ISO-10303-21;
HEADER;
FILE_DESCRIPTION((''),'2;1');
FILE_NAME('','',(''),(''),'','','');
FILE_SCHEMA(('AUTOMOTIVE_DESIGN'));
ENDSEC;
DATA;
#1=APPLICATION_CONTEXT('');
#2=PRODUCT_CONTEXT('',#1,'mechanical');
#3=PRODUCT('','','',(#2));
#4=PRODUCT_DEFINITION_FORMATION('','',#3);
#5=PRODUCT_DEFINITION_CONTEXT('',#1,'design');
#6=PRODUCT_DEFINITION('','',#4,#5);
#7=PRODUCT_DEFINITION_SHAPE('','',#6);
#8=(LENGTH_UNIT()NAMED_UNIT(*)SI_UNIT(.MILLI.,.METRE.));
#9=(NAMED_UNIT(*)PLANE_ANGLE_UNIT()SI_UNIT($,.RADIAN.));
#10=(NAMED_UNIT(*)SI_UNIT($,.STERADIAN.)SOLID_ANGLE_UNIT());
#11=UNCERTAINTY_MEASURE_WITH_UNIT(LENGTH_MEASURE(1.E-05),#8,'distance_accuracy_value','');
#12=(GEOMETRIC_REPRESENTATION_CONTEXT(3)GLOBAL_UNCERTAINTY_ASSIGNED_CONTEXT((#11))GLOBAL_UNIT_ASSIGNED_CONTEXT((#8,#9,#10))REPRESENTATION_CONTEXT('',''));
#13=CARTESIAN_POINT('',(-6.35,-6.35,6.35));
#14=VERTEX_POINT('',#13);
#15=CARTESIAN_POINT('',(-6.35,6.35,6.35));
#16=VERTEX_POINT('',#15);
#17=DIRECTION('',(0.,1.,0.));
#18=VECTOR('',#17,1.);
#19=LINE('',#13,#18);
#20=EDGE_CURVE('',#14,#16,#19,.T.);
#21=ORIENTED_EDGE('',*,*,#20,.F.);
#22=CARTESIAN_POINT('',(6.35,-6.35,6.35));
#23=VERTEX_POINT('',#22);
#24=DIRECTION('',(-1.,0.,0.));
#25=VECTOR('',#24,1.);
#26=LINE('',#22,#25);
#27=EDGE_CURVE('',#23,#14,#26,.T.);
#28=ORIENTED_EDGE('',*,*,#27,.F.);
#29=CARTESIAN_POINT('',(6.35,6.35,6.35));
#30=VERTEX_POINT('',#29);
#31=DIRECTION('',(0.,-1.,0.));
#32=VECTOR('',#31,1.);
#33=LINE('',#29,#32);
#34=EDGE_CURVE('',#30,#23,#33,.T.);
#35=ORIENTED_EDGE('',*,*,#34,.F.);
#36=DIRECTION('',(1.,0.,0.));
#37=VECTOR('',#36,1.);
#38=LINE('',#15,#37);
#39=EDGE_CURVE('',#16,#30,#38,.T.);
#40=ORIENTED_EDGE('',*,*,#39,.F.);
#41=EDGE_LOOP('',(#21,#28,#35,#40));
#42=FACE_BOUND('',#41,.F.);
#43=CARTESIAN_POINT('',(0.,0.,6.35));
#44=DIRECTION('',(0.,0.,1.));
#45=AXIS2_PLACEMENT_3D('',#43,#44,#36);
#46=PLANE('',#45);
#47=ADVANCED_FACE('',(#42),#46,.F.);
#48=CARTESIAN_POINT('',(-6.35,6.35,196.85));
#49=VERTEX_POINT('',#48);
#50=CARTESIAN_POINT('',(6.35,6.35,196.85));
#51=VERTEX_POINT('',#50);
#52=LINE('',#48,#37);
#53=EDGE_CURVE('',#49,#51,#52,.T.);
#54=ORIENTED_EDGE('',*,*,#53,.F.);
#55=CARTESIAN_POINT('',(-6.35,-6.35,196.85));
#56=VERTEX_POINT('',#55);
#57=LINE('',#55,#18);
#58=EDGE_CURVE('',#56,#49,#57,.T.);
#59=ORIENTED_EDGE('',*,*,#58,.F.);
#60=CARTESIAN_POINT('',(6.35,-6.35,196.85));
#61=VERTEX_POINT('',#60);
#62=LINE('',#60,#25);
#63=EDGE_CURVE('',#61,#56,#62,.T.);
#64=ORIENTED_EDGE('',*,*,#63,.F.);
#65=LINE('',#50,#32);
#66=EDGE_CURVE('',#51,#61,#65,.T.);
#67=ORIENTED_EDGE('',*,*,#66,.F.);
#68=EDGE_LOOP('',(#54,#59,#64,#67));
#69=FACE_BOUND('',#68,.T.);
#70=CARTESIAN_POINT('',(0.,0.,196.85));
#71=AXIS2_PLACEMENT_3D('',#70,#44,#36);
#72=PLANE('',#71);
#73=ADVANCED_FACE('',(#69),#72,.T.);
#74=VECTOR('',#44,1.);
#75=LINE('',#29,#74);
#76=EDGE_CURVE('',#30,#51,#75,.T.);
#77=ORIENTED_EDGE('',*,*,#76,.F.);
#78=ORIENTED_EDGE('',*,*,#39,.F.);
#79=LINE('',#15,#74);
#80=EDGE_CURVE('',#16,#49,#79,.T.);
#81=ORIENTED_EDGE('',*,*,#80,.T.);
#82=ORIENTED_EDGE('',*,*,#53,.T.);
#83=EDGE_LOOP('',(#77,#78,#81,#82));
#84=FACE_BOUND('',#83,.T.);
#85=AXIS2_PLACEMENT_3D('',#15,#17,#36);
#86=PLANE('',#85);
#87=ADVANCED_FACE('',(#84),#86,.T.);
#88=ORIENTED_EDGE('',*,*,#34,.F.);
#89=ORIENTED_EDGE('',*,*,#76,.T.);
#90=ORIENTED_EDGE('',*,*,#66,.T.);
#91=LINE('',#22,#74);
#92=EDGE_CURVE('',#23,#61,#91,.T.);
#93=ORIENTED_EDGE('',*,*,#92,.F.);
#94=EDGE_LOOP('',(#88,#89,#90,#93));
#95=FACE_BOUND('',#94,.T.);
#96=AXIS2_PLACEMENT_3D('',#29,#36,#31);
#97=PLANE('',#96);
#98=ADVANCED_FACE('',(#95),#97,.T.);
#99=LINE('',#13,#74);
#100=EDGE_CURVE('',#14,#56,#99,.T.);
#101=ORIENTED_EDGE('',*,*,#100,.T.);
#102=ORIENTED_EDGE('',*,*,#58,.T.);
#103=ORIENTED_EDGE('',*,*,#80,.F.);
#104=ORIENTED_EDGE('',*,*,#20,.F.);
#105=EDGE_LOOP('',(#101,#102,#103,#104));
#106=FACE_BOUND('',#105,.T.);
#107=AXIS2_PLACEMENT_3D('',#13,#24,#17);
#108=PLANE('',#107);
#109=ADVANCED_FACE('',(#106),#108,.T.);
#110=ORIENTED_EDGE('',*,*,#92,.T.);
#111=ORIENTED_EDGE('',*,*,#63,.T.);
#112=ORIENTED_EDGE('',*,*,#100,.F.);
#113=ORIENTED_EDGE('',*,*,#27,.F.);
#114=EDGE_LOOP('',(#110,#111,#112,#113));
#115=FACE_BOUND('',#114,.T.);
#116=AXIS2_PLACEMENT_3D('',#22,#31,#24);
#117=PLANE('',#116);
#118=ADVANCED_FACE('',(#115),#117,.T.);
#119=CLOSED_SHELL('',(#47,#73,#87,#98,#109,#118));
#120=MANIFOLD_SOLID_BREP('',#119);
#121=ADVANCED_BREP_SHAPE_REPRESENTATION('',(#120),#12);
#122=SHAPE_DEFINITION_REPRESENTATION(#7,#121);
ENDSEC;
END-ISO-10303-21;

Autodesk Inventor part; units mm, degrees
ref_plane "Start plane" through (0, 0, 6.35) normal (0, 0, 1) x (1, 0, 0)
ref_plane "End plane" through (0, 0, 196.85) normal (0, 0, 1) x (1, 0, 0)
sketch "Sketch" plane through (0, 0, 0) normal (0, 0, 1) x (1, 0, 0)
  line L0 (6.35, -6.35) -> (-6.35, -6.35)
  line L1 (-6.35, -6.35) -> (-6.35, 6.35)
  line L2 (-6.35, 6.35) -> (6.35, 6.35)
  line L3 (6.35, 6.35) -> (6.35, -6.35)
  line L4 (-6, 0) -> (8, 0) construction
  line L5 (0, -30) -> (0, 40) construction
  line L6 (0, 54) -> (0, -44) construction
  line L7 (-9.62, 0) -> (13.27, 0) construction
  dimension "d0" = 12.7
  dimension "d1" = 12.7
  dimension "d4" = 6.35
  dimension "d5" = 6.35
extrude "Body" add sketch "Sketch" along normal up to surface (190.5 mm away) from surface at 6.35
sketch "Sketch3" plane through (0, 0, 0) normal (0, 0, 1) x (1, 0, 0)
  line L0 (0, 0) -> (10, 0)
ref_plane "Work Plane3" through (0, 0, 0) normal (0, -1, 0) x (1, 0, 0)
sketch "Sketch4" plane through (0, 0, 0) normal (0, -1, 0) x (1, 0, 0)
  line L0 (-2, 6.35) -> (12, 6.35)
  line L1 (-2, 196.85) -> (12, 196.85)
  dimension "d9" = 190.5
ref_plane "Work Plane8" through (0, 0, 196.85) normal (0, 0, 1) x (1, 0, 0)
split "Split5" plane through (0, 0, 196.85) removes the side toward (0, 0, 1)
ref_plane "Work Plane9" through (-590.0029, -6.35, 6.35) normal (0, 0, -1) x (-1, 0, 0)
split "Split6" plane through (-590.0029, -6.35, 6.35) removes the side toward (0, 0, -1)
equation "\"d0\" = G_W"
equation "\"d1\" = G_H"
equation "\"d4\" = 0.5 * d1"
equation "\"d5\" = 0.5 * d0"
equation "\"d2\" = G_L"
equation "\"G_W\" = 12.7"
equation "\"G_H\" = 12.7"
equation "\"G_L\" = d9"
equation "\"G_OFFSET_START\" = -6.35"
equation "\"G_OFFSET_END\" = -6.35"
equation "\"d6\" = -G_OFFSET_START"
equation "\"d7\" = G_OFFSET_END + B_L"
equation "\"B_L\" = 203.2"
properties part number "AISC - 1/2x1/2 - 7.5" material "Steel, Alloy"
